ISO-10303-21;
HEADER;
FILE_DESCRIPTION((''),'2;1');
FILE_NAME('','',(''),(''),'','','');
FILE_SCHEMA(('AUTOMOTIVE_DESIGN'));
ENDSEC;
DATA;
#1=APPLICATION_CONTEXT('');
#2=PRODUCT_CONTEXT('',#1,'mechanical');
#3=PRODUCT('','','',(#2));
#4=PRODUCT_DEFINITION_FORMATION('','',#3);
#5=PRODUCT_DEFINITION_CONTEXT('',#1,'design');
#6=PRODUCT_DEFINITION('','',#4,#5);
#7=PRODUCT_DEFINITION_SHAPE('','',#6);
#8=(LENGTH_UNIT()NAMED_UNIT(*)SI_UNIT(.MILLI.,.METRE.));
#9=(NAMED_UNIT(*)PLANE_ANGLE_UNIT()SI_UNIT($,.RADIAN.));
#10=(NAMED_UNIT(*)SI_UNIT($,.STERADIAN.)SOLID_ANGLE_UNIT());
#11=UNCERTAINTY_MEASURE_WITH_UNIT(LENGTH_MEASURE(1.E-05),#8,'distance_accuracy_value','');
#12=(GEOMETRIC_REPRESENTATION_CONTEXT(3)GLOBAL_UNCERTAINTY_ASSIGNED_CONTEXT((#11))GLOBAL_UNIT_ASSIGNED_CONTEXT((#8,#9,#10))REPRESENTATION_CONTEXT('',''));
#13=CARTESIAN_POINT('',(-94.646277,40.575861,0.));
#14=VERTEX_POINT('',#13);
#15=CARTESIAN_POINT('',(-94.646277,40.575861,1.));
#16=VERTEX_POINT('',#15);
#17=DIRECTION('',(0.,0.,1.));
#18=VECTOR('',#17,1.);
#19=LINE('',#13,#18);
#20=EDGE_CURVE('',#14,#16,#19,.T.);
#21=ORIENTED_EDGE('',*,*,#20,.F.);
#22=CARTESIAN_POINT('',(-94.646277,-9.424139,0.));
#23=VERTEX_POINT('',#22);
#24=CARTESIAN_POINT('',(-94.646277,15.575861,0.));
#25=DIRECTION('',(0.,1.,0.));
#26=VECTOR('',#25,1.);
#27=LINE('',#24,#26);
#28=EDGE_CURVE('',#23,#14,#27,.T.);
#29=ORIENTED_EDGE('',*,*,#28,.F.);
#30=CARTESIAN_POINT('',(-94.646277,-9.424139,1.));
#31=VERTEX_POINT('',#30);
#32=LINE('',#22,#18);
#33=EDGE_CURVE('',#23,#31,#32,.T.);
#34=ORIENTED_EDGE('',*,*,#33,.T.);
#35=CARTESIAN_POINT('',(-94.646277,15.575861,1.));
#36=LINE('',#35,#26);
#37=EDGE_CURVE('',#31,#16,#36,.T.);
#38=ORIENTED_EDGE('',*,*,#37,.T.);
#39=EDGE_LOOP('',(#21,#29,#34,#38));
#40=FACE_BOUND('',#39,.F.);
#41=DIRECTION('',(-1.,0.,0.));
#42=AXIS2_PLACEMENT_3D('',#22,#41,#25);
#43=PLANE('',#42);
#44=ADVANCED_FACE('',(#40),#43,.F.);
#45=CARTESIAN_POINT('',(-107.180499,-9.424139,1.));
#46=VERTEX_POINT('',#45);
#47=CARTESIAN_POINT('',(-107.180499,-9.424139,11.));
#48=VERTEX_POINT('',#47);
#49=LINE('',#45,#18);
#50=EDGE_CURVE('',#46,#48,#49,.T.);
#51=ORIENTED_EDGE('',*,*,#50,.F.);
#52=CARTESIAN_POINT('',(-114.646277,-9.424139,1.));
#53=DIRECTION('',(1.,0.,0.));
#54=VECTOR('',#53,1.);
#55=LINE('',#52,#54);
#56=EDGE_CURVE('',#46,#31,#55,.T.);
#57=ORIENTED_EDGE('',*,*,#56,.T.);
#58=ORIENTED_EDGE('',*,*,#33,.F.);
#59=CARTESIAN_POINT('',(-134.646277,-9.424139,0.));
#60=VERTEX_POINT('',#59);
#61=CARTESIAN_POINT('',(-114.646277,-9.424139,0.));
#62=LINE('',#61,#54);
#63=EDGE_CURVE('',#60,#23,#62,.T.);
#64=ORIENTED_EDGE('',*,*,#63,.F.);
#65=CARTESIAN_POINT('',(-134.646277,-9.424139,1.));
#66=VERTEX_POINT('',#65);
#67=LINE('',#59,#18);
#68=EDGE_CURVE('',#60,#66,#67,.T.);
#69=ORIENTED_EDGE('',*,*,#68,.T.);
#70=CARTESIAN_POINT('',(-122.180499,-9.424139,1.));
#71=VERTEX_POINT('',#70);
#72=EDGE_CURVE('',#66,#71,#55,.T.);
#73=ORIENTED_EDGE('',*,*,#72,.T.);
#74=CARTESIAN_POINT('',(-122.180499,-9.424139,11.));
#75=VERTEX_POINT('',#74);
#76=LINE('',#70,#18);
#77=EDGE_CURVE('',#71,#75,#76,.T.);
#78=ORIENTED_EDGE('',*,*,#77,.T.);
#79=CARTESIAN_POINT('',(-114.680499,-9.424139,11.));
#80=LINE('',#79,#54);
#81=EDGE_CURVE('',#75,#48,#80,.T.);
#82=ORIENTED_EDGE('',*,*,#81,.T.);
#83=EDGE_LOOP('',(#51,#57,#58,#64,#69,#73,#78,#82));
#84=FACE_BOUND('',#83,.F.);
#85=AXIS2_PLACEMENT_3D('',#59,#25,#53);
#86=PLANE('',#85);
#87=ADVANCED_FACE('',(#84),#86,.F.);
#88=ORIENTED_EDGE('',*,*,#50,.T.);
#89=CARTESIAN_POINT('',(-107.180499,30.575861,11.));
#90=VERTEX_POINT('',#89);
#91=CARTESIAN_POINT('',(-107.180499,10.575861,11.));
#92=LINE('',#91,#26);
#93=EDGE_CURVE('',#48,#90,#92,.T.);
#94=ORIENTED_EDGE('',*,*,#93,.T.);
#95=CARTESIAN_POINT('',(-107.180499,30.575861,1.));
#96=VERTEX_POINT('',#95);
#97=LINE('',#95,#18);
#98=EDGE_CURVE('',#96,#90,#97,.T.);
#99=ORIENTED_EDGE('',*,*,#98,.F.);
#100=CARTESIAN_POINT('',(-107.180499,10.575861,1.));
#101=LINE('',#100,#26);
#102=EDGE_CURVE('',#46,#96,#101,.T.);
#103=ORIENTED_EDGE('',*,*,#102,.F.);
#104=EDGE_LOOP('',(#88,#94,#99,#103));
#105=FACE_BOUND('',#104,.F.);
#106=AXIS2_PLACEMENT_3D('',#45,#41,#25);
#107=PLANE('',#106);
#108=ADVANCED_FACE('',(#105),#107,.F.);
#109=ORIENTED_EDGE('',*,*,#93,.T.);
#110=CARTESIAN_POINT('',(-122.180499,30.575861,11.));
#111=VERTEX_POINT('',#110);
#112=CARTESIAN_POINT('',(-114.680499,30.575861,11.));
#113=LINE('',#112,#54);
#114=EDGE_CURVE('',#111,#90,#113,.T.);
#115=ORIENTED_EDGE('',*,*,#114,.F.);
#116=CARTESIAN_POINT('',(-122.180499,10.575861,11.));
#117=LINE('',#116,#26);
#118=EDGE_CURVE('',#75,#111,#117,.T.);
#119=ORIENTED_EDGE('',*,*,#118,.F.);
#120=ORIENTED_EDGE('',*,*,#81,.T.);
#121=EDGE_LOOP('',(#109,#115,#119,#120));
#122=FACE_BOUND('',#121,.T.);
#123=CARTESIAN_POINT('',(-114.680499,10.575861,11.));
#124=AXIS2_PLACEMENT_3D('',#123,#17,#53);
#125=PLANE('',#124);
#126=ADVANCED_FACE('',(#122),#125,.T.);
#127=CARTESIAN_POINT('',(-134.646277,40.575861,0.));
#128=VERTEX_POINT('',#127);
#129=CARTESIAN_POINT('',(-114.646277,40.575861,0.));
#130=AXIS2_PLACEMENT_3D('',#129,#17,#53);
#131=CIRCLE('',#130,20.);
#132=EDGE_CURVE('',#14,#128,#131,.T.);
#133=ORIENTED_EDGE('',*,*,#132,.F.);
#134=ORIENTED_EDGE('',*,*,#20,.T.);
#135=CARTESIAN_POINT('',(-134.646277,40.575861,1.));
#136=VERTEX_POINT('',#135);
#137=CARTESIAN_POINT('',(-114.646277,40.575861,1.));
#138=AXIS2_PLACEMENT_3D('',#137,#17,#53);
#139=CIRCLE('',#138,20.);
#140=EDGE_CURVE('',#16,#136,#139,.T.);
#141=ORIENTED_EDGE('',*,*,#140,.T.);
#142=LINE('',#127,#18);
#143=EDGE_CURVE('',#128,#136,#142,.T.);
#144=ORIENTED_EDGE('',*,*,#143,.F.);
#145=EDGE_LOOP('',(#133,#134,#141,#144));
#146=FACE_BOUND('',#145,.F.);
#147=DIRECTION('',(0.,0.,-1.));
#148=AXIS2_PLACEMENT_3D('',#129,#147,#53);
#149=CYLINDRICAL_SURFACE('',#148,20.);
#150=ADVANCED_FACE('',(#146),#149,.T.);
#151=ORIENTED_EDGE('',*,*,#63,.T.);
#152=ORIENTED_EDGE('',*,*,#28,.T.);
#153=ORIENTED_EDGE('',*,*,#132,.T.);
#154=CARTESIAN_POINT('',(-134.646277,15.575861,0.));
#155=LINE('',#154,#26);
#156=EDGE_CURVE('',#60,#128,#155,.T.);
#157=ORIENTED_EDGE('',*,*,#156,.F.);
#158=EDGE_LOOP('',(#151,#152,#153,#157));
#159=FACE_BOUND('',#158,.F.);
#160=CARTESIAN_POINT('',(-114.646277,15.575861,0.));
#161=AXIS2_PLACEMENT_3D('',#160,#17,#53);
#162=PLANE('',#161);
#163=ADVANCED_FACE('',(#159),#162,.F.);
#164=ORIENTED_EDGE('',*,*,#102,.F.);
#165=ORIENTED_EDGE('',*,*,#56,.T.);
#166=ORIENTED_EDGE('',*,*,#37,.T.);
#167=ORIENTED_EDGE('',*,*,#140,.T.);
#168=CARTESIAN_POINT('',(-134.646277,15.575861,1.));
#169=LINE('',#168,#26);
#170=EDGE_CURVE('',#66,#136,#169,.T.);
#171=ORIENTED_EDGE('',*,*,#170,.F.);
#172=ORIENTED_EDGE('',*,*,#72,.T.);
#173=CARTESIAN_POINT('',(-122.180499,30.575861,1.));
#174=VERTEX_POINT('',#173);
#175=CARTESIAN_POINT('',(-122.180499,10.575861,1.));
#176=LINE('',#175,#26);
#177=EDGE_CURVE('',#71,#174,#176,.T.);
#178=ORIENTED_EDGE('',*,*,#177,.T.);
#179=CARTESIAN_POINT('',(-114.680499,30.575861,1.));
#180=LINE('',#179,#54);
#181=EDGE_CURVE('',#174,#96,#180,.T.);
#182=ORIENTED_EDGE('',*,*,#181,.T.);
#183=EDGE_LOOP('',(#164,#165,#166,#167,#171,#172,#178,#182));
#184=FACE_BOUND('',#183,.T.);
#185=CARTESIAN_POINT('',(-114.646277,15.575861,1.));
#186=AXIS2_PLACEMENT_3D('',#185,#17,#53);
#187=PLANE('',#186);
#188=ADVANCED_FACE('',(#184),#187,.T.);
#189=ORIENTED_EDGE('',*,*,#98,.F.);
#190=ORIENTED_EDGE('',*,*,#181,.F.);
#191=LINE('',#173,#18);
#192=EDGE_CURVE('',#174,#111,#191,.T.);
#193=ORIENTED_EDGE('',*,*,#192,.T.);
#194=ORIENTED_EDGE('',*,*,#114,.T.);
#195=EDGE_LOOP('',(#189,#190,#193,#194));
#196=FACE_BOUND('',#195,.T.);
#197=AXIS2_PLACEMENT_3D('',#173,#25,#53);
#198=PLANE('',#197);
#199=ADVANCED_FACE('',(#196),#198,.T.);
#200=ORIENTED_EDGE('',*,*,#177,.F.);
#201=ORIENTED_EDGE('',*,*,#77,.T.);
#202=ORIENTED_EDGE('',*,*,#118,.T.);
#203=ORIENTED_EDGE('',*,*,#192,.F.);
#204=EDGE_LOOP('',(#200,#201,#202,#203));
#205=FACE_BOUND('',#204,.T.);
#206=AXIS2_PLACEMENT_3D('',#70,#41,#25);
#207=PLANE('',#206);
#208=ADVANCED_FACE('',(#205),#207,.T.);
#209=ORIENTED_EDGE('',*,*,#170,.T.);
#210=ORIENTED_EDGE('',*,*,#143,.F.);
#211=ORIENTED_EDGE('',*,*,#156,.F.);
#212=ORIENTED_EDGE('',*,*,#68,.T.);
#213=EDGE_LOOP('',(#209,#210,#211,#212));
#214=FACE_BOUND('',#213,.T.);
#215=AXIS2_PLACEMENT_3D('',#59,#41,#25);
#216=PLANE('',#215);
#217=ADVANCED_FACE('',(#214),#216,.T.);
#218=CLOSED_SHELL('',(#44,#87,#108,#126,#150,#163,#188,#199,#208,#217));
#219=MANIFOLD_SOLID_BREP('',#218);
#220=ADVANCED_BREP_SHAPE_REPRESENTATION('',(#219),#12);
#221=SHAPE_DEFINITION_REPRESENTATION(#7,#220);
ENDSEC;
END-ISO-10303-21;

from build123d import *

# Parameters (mm, degrees)
F0_W     = 40
F0_H     = 50
F1_DEPTH = 1
F2_W     = 15
F2_H     = 40
F3_DEPTH = 10


with BuildPart() as f1:
    # F0 (on Top) → F1 (new body)
    with BuildSketch(Plane.XY):
        with Locations((-114.646277, 15.575861)):
            Rectangle(F0_W, F0_H)
        with BuildLine():
            ThreePointArc((-94.646277, 40.575861), (-114.646277, 60.575861), (-134.646277, 40.575861))
            Line((-134.646277, 40.575861), (-94.646277, 40.575861))
        make_face()
    extrude(amount=F1_DEPTH)

    # F2 (on face) → F3 (join)
    with BuildSketch(Plane.XY.offset(1)):
        with Locations((-114.680499, 10.575861)):
            Rectangle(F2_W, F2_H)
    extrude(amount=F3_DEPTH)


solid = f1.part
